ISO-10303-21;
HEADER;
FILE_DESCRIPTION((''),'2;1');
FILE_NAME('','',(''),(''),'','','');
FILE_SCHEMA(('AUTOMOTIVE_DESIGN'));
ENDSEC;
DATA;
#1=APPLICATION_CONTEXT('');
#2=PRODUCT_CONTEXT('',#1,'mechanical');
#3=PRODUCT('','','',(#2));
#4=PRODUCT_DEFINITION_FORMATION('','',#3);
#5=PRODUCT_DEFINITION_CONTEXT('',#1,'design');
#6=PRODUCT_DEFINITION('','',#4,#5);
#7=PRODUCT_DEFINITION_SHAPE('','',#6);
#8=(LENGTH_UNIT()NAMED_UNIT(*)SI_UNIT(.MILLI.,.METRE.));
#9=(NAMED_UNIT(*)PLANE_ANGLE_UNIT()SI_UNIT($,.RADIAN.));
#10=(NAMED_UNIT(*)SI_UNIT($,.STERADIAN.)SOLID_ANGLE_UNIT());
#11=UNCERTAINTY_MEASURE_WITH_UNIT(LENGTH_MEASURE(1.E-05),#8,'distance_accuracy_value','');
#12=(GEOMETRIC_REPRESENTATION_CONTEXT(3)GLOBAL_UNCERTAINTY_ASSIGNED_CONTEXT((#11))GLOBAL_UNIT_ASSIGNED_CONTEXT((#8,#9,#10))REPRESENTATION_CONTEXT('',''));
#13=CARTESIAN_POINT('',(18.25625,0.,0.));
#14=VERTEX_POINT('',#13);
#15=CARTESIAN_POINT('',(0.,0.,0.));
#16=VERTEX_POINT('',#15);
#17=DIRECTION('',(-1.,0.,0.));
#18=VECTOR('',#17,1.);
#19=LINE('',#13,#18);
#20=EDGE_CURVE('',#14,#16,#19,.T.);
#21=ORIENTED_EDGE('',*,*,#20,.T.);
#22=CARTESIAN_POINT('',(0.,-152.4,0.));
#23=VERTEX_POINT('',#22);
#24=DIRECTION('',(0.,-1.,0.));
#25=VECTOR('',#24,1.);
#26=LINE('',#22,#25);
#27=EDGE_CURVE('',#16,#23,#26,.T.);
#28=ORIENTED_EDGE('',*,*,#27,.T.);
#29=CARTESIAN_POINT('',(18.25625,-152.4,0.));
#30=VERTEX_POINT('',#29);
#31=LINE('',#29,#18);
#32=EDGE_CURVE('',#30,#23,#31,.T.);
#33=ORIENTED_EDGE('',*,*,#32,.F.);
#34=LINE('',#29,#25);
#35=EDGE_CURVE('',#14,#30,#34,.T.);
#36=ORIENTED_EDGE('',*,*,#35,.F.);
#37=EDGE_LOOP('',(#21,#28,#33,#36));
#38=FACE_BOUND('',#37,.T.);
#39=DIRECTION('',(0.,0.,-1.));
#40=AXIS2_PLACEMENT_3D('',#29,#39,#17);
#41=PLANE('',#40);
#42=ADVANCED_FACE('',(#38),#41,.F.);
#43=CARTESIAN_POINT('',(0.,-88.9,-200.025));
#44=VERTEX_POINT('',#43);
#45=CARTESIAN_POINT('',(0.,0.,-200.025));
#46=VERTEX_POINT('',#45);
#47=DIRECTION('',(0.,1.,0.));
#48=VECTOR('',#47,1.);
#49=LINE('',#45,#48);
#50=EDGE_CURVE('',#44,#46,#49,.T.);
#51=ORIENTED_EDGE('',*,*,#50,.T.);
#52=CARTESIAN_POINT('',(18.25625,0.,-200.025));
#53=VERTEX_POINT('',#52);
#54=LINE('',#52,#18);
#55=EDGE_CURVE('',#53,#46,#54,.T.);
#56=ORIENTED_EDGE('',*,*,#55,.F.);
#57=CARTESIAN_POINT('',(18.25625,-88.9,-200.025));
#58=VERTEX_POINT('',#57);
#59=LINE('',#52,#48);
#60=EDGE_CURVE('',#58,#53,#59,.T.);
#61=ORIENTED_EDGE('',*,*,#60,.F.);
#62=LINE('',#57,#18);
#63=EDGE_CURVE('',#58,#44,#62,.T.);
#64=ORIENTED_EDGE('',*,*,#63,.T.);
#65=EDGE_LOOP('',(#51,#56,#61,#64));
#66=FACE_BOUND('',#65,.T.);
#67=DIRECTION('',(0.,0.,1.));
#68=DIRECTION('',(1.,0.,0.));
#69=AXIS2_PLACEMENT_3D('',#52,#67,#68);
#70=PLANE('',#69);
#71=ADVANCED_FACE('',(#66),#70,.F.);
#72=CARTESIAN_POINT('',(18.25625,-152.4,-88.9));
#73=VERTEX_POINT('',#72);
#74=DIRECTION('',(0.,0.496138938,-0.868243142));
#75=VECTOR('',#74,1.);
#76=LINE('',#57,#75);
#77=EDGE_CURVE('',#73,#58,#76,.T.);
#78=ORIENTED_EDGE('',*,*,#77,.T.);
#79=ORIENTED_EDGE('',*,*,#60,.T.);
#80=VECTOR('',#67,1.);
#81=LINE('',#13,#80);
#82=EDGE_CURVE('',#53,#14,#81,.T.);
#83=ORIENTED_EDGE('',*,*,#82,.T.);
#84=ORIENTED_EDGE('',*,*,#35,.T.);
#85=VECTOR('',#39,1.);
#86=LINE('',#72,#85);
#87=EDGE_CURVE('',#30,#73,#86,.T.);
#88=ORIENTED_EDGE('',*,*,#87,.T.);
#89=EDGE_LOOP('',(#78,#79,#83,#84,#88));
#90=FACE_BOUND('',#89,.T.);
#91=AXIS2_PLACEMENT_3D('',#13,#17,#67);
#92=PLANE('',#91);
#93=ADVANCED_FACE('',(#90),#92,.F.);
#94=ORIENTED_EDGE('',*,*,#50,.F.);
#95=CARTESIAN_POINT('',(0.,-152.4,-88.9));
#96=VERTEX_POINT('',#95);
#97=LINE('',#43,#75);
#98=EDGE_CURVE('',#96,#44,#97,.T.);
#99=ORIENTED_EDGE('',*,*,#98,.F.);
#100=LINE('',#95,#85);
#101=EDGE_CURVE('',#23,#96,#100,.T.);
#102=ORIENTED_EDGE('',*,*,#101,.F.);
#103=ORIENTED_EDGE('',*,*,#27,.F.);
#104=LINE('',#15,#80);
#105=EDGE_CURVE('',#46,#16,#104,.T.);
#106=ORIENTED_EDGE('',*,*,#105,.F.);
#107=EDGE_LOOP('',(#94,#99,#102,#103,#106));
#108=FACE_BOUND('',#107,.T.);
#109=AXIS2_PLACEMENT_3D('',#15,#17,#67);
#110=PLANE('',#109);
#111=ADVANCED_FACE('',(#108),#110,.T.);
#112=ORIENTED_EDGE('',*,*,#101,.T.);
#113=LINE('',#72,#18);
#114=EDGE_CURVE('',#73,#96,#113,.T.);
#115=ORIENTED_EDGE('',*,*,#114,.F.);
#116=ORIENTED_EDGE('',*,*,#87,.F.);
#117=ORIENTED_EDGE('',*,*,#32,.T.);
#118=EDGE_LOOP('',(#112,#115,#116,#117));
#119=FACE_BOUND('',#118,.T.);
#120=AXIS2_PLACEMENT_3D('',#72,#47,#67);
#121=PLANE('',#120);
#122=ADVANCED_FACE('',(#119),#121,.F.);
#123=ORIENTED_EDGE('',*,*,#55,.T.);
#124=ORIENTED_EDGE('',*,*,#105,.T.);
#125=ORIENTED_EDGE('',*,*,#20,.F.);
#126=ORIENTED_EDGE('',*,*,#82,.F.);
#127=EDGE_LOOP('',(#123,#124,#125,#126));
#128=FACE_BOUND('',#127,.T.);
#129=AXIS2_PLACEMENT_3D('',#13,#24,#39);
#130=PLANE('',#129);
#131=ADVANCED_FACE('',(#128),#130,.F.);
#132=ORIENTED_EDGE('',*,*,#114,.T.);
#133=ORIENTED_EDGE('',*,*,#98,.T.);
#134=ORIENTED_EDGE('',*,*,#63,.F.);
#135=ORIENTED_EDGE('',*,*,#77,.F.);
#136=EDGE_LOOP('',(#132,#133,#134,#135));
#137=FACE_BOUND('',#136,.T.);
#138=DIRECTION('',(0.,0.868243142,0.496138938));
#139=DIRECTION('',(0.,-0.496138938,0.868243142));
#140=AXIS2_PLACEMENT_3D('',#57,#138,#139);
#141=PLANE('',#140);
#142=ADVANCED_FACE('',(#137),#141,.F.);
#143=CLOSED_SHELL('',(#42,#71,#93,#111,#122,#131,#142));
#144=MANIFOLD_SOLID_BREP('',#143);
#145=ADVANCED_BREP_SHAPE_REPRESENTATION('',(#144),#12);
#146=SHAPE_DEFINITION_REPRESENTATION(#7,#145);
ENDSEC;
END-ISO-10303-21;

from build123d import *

# Parameters (mm, degrees)
BOSS_EXTRUDE1_DEPTH = 18.25625


with BuildPart() as part:
    # Sketch1 → Boss-Extrude1 (new body)
    with BuildSketch(Plane(origin=(0, 0, 0), x_dir=(0, 0, -1), z_dir=(1, 0, 0))):
        Polygon((0, 0), (200.025, 0), (200.025, -88.9), (88.9, -152.4), (0, -152.4), align=None)
    extrude(amount=BOSS_EXTRUDE1_DEPTH)


solid = part.part
